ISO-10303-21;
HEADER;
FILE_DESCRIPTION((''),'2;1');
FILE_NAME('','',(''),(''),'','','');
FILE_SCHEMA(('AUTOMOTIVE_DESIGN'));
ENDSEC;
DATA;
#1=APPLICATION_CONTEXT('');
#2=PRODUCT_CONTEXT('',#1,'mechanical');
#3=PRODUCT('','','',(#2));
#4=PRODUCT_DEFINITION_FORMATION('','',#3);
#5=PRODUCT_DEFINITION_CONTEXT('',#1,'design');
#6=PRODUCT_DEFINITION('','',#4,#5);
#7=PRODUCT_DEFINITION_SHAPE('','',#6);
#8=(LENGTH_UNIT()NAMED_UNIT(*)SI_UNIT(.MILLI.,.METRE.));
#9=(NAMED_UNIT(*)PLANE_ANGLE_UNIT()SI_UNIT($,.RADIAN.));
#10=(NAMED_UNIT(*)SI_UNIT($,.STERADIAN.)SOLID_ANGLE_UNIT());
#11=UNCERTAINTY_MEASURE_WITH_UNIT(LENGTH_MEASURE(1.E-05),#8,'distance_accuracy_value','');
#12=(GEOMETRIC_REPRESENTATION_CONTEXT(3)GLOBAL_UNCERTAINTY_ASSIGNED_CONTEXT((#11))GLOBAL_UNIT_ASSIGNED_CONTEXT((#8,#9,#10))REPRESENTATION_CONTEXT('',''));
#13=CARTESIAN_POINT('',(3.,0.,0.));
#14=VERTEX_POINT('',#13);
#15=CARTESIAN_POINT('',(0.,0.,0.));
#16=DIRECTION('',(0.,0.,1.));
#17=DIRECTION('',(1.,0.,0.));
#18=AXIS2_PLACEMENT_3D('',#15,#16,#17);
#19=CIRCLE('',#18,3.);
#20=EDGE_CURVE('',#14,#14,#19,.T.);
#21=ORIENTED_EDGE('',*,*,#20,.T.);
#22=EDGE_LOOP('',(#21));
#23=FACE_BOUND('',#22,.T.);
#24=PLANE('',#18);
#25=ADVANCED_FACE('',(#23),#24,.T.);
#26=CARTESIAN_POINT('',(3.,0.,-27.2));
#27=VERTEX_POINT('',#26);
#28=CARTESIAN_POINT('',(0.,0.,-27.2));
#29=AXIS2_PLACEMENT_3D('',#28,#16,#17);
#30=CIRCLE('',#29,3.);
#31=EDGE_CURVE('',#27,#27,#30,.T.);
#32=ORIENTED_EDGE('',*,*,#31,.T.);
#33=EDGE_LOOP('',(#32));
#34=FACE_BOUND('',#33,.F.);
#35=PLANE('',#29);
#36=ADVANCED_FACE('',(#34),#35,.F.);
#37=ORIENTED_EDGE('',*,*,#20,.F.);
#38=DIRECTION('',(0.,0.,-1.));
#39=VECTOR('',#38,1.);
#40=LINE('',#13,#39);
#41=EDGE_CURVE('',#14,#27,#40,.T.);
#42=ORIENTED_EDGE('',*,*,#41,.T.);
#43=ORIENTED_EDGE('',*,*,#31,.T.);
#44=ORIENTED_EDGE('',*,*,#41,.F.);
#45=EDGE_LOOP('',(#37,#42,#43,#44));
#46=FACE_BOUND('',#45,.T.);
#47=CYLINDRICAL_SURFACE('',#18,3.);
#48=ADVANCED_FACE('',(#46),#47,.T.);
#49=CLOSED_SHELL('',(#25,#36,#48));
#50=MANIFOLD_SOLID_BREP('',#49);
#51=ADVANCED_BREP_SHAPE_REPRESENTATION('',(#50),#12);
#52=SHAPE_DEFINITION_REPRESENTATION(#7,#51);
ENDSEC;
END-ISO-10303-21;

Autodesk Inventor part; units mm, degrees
ref_plane "YZ Plane" through (0, 0, 0) normal (1, 0, 0) x (0, 1, 0)
ref_plane "XZ Plane" through (0, 0, 0) normal (0, 1, 0) x (-1, 0, 0)
ref_plane "XY Plane" through (0, 0, 0) normal (0, 0, 1) x (1, 0, 0)
sketch "Boceto1" plane through (0, 0, 0) normal (0, 0, 1) x (1, 0, 0)
  circle A0 centre (0, 0) radius 3
  dimension "d0" = 6
extrude "Extrusión1" add sketch "Boceto1" against normal blind 27.2
ref_plane "Plano de trabajo1" through (0, 0, -13.6) normal (0, 0, 1) x (1, 0, 0)
sketch "Boceto2" plane through (0, 0, 0) normal (0, 0, 1) x (1, 0, 0)
  circle A0 centre (0, 0) radius 4
  circle A1 centre (0, 0) radius 3 projected
  dimension "d3" = 1
properties part number "EJE DE RUEDA" material "Acero inoxidable"
